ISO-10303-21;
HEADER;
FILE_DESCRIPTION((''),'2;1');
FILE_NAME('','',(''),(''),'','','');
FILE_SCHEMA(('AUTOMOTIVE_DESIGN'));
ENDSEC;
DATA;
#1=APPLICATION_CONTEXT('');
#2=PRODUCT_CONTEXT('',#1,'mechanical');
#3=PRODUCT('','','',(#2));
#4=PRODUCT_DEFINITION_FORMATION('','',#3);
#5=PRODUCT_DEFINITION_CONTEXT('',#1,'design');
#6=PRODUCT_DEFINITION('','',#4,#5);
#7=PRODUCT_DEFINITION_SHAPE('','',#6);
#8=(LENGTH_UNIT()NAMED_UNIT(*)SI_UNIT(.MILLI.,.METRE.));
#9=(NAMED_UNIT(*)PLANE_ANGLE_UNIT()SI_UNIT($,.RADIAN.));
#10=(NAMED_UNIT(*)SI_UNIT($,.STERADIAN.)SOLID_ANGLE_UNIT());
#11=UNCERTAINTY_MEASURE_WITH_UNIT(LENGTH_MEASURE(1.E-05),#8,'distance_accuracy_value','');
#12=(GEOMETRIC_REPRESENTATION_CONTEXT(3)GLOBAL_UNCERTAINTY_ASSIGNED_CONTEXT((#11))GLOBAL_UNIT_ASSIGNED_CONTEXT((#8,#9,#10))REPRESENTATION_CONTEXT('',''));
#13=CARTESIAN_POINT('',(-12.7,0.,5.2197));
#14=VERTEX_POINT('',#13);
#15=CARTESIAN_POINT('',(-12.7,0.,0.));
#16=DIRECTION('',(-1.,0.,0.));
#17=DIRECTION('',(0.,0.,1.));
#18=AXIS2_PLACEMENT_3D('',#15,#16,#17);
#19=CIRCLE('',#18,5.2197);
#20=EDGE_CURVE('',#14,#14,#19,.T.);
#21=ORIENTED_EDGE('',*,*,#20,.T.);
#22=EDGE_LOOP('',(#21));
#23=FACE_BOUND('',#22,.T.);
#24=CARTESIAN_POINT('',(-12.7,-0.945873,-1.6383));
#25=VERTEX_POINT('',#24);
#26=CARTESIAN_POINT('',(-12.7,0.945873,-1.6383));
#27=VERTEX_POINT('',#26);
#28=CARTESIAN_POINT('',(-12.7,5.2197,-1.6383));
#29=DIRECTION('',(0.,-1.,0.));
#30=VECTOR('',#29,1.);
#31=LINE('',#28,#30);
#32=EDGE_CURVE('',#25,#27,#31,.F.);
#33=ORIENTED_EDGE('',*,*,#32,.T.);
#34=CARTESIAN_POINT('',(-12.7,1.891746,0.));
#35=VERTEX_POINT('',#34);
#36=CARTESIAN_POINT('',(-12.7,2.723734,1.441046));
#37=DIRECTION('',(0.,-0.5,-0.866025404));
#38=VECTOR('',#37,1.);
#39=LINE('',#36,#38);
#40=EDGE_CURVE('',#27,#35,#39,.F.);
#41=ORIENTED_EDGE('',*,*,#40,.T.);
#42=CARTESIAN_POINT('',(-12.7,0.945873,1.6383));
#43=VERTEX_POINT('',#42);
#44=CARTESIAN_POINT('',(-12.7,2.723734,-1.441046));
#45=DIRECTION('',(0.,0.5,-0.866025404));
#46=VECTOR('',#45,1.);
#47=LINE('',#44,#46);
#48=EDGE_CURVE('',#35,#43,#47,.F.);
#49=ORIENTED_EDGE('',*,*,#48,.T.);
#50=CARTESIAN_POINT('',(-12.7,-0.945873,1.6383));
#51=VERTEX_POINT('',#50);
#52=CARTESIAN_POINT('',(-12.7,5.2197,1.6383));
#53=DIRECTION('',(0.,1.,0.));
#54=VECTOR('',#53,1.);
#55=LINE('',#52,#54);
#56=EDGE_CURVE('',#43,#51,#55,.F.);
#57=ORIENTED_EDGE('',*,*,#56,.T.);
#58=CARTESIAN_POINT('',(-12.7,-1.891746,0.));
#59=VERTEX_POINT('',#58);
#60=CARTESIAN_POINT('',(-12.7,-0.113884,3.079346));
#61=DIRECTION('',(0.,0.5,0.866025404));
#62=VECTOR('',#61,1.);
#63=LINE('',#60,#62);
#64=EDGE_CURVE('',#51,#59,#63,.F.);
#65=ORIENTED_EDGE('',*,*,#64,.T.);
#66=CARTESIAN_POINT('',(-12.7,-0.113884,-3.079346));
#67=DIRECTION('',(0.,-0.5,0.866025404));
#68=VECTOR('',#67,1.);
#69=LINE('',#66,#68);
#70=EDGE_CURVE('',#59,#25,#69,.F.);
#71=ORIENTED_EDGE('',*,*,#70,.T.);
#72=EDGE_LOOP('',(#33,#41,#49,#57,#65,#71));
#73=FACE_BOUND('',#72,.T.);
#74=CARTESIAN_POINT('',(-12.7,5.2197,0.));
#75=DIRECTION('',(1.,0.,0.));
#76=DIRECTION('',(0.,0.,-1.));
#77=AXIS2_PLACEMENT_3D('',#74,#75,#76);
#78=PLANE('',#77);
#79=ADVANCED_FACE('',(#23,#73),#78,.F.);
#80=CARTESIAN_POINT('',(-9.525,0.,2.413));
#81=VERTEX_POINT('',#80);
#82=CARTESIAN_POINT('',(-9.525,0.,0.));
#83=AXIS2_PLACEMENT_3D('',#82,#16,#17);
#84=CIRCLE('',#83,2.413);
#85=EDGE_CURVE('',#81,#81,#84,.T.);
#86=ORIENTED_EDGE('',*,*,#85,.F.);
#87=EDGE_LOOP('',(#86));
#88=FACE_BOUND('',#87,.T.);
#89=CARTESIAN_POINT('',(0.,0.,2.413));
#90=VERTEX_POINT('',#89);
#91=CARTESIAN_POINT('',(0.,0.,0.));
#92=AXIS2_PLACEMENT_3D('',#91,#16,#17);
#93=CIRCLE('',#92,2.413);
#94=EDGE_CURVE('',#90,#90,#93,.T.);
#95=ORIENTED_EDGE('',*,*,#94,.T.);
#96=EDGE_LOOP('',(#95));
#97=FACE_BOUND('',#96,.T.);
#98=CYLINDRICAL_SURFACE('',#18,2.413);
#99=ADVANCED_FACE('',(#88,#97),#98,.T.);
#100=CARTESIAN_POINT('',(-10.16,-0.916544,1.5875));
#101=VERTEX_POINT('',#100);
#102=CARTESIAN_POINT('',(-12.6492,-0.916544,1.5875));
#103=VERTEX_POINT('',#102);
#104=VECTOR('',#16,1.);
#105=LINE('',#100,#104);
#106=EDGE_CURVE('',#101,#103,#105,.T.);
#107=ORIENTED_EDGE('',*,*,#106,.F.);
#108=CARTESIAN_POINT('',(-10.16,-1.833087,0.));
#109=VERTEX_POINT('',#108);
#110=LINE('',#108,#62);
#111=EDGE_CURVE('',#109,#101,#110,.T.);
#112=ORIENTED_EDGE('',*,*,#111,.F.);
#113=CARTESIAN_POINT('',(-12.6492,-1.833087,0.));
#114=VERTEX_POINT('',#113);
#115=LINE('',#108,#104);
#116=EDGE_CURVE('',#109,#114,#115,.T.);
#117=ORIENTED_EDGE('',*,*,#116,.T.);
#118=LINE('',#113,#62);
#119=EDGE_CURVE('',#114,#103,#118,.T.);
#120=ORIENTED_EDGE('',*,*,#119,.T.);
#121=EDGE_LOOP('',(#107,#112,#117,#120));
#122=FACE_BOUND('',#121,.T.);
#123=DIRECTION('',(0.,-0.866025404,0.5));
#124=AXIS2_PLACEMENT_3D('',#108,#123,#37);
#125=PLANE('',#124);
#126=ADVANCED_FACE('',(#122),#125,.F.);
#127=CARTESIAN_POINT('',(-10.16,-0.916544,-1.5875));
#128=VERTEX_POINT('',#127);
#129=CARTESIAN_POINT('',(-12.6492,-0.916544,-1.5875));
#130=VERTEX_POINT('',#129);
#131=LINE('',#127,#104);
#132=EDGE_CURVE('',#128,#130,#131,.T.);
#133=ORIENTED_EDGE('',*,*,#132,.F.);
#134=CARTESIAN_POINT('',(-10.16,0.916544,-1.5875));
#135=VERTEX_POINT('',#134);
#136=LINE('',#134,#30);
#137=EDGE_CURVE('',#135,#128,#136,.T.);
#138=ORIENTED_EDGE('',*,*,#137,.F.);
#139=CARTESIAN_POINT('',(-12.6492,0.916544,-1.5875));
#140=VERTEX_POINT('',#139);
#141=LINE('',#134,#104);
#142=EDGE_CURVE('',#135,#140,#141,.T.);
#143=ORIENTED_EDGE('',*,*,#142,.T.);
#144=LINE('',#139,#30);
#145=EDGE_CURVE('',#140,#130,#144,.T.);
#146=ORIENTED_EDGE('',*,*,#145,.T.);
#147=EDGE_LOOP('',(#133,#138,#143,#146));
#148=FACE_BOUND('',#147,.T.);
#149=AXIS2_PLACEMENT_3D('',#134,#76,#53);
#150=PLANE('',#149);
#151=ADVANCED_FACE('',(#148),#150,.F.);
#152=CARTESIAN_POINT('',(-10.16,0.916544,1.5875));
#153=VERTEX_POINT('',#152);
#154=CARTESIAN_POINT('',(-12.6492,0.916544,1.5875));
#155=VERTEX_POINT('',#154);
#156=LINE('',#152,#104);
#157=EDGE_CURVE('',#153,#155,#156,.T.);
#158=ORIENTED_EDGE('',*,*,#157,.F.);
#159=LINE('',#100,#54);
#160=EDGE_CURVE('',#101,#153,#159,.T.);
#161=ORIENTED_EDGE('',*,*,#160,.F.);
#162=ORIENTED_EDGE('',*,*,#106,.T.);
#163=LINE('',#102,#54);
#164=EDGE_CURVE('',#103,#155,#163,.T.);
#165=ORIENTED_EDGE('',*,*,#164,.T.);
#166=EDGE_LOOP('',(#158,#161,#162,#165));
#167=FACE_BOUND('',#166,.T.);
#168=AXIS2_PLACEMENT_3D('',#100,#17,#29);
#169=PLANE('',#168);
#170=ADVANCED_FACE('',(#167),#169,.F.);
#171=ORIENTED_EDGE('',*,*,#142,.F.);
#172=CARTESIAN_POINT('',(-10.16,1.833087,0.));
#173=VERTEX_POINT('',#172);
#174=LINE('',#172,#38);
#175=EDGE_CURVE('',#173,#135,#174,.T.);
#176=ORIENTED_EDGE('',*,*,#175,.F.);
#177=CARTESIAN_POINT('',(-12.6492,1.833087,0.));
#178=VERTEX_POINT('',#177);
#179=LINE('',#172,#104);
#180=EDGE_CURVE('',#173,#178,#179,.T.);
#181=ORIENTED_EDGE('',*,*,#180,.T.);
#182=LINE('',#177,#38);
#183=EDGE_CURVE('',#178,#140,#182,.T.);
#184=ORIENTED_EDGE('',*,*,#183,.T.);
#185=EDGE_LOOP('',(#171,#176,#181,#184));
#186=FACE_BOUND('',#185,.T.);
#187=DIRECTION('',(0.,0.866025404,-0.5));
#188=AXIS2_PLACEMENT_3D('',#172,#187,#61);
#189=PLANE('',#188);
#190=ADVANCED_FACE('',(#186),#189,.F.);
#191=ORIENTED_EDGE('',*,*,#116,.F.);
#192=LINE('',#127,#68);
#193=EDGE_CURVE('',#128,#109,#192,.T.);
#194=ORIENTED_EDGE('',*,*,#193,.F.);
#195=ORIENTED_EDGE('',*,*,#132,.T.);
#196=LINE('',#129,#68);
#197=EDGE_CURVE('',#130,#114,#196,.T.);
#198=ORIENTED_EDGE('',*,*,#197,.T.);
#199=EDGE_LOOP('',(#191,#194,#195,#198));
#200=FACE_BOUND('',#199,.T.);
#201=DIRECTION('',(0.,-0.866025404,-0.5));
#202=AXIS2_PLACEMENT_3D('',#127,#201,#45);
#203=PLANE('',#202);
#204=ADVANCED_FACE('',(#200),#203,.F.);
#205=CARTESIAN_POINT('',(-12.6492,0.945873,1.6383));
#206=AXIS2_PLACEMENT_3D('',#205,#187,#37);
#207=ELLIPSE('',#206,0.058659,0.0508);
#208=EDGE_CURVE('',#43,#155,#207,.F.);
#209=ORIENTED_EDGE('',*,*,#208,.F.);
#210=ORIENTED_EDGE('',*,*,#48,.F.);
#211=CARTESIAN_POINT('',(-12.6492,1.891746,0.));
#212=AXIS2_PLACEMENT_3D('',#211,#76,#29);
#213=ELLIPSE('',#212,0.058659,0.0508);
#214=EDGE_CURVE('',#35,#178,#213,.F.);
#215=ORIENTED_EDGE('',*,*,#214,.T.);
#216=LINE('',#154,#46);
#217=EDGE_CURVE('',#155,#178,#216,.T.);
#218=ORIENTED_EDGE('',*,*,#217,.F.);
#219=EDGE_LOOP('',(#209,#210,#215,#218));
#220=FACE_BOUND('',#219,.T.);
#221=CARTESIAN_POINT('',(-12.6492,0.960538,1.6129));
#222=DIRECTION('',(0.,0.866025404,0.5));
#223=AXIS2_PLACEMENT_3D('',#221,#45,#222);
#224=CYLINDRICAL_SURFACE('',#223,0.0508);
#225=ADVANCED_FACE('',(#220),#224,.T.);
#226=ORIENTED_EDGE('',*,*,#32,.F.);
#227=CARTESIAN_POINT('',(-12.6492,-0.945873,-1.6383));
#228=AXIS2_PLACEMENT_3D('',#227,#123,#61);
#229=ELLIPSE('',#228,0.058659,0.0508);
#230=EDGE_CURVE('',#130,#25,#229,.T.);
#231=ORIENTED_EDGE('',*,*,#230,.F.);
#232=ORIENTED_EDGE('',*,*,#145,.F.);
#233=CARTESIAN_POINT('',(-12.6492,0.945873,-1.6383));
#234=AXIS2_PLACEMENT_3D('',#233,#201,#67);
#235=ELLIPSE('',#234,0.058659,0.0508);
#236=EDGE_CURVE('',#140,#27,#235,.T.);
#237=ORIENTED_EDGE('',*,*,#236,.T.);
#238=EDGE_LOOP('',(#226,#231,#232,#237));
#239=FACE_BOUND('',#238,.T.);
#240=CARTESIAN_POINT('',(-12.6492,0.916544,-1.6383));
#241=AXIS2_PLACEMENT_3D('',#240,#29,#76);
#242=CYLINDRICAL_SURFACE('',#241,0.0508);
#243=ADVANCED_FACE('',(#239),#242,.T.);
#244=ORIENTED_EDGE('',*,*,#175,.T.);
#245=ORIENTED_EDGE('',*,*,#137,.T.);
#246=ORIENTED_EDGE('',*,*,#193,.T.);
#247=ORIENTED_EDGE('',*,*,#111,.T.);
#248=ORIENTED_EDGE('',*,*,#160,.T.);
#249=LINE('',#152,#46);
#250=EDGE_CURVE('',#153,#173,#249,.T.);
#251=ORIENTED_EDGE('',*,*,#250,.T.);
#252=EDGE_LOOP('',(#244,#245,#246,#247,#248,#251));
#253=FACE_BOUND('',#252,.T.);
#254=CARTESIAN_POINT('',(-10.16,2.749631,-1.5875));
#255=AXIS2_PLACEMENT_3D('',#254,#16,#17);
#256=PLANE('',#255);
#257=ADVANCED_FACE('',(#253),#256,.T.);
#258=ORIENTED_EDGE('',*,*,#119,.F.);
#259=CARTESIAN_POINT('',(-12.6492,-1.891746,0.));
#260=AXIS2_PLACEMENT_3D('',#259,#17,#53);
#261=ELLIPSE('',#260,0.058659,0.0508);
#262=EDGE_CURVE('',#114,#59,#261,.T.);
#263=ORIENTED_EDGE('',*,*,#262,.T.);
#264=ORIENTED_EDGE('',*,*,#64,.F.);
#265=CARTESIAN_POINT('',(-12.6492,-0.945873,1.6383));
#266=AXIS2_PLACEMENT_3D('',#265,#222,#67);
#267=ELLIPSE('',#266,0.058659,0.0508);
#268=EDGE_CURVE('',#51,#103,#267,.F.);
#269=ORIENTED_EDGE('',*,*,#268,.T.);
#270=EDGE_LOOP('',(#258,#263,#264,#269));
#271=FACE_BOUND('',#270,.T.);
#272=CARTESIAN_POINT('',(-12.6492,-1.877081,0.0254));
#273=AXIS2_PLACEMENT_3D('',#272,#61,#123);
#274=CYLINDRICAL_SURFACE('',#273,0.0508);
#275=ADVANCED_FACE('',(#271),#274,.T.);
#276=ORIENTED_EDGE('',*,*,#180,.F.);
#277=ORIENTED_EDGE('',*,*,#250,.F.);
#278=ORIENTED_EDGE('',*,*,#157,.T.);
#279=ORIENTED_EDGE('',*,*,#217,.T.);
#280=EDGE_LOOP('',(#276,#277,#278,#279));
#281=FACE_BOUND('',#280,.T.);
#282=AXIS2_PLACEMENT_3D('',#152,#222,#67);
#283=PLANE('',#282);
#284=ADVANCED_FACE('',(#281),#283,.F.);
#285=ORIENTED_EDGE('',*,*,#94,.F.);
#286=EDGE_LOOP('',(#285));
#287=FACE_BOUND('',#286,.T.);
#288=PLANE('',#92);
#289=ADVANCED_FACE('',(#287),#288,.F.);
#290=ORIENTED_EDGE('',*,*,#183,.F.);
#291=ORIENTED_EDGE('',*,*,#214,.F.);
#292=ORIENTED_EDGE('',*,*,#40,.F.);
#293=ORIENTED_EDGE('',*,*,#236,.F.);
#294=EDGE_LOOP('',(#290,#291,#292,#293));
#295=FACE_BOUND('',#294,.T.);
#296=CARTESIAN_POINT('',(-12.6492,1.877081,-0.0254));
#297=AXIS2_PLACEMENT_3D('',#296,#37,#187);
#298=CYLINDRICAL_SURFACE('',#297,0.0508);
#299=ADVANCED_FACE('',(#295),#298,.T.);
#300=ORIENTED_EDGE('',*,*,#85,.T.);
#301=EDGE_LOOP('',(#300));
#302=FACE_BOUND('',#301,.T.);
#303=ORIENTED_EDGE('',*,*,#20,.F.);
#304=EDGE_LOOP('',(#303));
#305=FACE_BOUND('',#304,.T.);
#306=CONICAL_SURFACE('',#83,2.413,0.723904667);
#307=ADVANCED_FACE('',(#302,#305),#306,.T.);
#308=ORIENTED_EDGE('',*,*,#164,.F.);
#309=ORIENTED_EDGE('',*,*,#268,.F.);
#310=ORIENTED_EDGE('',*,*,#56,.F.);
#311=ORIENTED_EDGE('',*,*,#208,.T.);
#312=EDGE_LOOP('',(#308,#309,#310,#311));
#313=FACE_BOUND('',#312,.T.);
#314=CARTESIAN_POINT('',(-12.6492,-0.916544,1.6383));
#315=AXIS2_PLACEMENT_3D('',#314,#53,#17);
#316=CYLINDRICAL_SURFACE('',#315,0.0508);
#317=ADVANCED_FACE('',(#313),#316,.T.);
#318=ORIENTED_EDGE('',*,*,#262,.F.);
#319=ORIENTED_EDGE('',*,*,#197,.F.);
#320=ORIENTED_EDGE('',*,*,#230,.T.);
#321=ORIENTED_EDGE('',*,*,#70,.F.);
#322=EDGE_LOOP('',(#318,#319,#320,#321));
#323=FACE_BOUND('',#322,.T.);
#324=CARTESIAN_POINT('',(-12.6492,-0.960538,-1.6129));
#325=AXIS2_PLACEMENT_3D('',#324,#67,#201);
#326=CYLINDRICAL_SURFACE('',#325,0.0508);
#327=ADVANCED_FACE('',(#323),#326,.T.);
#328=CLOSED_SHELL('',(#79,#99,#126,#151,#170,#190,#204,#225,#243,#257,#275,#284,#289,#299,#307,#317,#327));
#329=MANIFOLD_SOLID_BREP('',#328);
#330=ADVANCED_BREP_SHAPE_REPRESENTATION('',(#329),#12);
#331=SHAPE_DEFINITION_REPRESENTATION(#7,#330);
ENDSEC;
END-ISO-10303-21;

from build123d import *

# Parameters (mm, degrees)
CUT_EXTRUDE1_DEPTH = 2.54
FILLET1_R          = 0.0508


with BuildPart() as part:
    # Sketch1 → Revolve2 (revolve)
    with BuildSketch(Plane.XY):
        Polygon((0, 0), (0, 2.413), (-9.525, 2.413), (-12.7, 5.2197), (-12.7, 0), align=None)
    revolve(axis=Axis((-12.7, 0, 0), (1, 0, 0)))

    # Sketch2 → Cut-Extrude1 (cut)
    with BuildSketch(Plane.ZY.offset(12.7)):
        Polygon((0, 1.833087105), (-1.5875, 0.916543552), (-1.5875, -0.916543552), (0, -1.833087105), (1.5875, -0.916543552), (1.5875, 0.916543552), align=None)
    extrude(amount=-CUT_EXTRUDE1_DEPTH, mode=Mode.SUBTRACT)

    # Fillet1
    fillet1_edges = [part.edges().sort_by_distance(p)[0] for p in [
        (-12.7, -1.374815329, 0.79375),
        (-12.7, -1.374815329, -0.79375),
        (-12.7, 0, -1.5875),
        (-12.7, 1.374815329, -0.79375),
        (-12.7, 1.374815329, 0.79375),
        (-12.7, 0, 1.5875),
    ]]
    fillet(fillet1_edges, radius=FILLET1_R)


solid = part.part
